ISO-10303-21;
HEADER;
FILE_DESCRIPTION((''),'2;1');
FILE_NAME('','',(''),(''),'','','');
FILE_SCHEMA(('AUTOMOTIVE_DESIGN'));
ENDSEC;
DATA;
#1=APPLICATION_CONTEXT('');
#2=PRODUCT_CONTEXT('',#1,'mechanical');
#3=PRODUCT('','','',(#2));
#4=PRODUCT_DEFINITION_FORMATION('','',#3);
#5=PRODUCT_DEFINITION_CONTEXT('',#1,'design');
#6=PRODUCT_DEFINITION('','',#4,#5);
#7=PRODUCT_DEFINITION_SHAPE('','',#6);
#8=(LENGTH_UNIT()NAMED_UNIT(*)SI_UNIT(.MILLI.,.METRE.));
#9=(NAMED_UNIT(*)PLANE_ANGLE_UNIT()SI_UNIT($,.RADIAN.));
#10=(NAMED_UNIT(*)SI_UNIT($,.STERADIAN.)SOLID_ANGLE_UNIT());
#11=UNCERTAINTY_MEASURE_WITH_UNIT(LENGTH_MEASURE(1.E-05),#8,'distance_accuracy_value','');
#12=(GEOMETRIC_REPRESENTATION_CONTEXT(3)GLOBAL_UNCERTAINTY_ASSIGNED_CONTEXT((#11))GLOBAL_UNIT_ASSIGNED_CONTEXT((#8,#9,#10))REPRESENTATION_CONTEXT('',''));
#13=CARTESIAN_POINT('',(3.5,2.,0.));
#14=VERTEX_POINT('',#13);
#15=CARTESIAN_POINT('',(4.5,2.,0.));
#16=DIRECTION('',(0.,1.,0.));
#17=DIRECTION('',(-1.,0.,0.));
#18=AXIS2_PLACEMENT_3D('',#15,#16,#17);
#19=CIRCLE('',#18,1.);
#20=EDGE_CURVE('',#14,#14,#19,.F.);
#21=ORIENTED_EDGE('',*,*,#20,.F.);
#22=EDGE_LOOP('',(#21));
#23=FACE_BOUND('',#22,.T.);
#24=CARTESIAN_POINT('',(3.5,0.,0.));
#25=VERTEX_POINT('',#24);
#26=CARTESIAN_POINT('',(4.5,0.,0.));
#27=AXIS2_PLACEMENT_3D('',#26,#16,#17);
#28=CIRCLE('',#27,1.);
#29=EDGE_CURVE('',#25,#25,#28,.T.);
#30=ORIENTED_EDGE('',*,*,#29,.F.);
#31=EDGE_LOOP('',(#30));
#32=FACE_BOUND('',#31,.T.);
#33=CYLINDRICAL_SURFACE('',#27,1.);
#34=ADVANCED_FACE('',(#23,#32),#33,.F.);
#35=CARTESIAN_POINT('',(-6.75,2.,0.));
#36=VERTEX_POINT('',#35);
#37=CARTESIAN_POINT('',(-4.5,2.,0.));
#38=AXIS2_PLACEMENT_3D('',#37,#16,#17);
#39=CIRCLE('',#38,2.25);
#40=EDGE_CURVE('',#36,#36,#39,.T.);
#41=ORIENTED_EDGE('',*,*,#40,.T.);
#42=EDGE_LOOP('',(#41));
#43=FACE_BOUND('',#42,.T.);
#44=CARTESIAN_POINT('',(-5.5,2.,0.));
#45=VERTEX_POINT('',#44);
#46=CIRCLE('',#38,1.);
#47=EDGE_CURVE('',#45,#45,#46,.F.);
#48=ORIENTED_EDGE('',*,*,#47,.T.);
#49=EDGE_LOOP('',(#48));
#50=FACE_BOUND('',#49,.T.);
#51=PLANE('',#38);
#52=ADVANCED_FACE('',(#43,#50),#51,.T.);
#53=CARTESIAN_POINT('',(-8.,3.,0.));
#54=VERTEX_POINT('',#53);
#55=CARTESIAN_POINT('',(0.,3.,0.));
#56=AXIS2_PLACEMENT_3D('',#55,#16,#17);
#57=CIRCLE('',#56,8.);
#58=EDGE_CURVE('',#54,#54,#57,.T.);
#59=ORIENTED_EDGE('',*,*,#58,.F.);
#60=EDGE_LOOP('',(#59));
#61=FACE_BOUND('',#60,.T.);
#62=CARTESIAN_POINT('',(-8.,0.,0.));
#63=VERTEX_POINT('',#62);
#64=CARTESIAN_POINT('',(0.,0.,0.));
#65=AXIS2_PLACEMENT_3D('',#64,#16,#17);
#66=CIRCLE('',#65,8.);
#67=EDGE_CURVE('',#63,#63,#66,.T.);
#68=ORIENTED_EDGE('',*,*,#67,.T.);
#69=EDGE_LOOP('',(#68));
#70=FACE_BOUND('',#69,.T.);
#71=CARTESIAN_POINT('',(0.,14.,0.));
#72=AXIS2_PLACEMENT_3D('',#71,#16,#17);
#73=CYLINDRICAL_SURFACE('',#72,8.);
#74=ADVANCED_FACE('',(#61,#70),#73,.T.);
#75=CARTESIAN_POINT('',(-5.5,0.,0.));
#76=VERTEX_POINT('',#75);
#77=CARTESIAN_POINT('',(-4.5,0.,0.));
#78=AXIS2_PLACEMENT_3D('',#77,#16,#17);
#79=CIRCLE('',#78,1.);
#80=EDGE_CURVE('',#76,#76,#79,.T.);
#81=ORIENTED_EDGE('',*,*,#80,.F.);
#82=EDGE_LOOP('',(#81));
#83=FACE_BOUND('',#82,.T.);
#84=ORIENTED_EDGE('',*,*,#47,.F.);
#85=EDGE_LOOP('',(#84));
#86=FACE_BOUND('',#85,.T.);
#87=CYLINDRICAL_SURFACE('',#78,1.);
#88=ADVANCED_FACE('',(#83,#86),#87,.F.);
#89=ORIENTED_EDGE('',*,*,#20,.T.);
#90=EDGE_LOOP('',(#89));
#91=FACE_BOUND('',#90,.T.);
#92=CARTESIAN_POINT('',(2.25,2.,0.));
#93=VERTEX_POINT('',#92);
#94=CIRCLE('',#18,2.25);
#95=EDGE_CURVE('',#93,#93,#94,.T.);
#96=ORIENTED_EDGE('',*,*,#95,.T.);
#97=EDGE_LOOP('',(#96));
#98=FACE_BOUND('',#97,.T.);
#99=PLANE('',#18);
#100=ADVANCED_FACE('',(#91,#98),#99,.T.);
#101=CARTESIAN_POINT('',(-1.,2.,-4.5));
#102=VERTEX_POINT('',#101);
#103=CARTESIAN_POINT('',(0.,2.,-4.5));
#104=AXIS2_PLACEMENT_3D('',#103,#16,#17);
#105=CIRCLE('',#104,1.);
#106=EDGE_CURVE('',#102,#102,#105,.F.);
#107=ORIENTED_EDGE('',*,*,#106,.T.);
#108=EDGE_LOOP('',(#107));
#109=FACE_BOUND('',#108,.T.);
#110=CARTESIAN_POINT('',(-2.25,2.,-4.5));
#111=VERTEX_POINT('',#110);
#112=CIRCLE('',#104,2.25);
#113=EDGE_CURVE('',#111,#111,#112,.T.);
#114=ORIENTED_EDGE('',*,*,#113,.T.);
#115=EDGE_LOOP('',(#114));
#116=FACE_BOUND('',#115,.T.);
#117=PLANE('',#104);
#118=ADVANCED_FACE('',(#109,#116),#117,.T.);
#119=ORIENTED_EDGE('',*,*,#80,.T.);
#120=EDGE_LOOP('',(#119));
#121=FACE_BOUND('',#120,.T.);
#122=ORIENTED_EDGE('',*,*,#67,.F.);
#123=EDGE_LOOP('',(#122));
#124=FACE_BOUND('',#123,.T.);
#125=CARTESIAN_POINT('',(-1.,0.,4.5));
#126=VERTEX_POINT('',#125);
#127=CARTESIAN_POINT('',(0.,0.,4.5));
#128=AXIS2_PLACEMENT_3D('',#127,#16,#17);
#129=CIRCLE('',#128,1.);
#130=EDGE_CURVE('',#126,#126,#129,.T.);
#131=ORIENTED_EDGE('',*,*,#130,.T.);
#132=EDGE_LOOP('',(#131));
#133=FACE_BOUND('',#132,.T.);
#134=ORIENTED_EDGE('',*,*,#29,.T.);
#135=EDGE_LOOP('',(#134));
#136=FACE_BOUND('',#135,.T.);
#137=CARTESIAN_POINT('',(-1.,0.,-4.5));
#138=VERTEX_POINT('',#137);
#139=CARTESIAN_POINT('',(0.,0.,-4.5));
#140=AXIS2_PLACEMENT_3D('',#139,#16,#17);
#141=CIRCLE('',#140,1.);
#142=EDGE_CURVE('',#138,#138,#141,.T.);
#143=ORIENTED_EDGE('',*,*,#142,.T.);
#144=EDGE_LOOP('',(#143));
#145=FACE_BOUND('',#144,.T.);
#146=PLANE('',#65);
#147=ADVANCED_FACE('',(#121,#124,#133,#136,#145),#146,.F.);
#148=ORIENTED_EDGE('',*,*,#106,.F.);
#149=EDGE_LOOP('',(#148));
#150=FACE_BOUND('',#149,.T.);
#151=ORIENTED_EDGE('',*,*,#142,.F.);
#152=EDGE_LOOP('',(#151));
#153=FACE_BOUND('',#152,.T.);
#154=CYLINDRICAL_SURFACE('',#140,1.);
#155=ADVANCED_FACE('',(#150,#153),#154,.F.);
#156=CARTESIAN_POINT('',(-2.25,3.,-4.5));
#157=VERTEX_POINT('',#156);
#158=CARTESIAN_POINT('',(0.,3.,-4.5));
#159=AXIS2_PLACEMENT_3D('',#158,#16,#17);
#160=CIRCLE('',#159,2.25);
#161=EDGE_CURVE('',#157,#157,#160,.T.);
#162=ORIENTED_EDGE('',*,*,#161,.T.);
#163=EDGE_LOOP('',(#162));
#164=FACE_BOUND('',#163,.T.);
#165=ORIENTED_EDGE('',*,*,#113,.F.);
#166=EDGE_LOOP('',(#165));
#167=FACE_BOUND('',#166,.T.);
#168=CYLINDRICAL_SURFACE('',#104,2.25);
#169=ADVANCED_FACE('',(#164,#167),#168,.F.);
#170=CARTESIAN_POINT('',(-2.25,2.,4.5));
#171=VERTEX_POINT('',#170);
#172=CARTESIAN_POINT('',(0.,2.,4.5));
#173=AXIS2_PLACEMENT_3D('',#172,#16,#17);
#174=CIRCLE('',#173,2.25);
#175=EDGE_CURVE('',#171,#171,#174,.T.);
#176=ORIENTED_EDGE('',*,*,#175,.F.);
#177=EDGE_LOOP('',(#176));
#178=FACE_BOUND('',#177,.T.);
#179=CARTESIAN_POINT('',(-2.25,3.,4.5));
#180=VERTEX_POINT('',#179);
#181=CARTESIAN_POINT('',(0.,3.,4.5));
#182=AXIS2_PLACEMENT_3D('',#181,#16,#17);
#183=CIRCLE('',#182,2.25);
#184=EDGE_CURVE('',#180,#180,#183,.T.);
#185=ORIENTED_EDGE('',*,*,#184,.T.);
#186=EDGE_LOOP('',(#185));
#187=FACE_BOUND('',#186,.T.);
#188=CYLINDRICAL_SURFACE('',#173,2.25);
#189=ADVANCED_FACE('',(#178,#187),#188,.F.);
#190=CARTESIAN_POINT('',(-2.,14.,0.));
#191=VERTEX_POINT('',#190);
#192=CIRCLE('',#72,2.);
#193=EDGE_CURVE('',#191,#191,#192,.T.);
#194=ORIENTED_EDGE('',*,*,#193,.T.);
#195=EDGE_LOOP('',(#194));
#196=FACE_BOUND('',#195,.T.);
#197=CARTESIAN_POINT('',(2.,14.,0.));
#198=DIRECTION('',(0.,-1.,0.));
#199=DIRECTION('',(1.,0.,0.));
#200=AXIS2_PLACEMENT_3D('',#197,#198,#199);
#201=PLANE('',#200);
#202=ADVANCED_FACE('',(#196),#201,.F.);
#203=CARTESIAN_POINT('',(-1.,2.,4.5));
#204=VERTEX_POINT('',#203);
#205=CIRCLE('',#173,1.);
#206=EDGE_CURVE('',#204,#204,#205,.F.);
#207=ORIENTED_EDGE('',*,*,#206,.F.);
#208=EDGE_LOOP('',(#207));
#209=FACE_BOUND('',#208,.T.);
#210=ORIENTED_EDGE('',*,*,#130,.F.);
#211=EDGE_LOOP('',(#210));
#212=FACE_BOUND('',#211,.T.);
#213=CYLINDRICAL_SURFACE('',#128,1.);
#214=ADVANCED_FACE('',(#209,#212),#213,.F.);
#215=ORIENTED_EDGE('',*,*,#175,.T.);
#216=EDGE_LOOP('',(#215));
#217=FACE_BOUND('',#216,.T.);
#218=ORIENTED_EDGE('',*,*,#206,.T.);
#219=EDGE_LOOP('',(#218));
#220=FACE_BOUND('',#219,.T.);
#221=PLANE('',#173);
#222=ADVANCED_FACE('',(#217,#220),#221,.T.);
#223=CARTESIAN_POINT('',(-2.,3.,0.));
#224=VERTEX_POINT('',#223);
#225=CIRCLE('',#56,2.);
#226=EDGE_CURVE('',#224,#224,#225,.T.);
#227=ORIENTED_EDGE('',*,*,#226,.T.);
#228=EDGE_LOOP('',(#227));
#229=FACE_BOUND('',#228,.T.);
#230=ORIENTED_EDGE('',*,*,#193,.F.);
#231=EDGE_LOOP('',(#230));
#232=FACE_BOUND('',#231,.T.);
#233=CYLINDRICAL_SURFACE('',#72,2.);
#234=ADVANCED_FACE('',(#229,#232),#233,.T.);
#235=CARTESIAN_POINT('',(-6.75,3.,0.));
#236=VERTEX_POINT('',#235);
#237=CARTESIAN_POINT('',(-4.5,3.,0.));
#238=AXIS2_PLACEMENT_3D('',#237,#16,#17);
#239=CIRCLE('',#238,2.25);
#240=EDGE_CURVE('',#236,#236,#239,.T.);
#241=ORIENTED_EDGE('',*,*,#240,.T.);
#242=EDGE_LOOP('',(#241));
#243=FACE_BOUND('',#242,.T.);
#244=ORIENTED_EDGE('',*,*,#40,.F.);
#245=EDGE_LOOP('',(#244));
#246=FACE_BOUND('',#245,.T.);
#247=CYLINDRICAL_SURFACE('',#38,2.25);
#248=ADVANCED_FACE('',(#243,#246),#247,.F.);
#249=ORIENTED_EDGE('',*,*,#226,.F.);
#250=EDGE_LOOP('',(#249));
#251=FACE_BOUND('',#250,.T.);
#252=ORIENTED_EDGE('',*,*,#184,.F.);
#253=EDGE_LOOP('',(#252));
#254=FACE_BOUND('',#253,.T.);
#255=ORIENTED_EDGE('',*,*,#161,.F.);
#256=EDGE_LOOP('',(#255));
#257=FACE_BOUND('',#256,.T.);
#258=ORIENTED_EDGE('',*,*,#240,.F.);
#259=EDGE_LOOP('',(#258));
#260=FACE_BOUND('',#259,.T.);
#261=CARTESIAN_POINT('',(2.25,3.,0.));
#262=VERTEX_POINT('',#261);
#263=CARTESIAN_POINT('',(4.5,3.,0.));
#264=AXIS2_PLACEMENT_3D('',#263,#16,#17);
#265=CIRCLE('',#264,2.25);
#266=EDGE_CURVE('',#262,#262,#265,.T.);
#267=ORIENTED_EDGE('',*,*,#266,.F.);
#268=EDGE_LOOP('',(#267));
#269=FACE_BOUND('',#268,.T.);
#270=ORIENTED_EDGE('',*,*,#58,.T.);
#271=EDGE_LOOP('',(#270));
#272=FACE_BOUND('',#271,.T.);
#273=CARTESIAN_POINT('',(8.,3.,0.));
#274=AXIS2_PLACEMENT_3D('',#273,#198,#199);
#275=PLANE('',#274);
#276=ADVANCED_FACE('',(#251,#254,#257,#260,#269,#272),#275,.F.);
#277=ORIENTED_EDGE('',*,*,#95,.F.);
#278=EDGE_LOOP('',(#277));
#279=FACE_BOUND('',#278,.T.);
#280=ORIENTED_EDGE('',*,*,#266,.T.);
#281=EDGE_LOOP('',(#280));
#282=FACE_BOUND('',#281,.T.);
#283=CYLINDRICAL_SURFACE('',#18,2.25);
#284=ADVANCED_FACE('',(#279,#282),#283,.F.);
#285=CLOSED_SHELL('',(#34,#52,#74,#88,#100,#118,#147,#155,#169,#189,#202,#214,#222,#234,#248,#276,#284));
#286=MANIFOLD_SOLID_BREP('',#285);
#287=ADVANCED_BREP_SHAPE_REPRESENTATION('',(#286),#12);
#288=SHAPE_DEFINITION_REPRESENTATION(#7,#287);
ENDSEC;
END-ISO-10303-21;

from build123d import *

# Parameters (mm, degrees)
SKETCH3_R          = 1
CUT_EXTRUDE1_DEPTH = 4
SKETCH4_R          = 2.25
CUT_EXTRUDE2_DEPTH = 1


with BuildPart() as part:
    # Sketch1 → Revolve1 (revolve)
    with BuildSketch(Plane.XY):
        Polygon((0, 0), (8, 0), (8, 3), (2, 3), (2, 14), (0, 14), align=None)
    revolve(axis=Axis((0, 14, 0), (0, -1, 0)))

    # Sketch3 → Cut-Extrude1 (cut, through all)
    with BuildSketch(Plane(origin=(0, 3, 0), x_dir=(1, 0, 0), z_dir=(0, 1, 0))):
        with Locations((0, 4.5)):
            Circle(SKETCH3_R)
        with Locations((4.5, 0)):
            Circle(SKETCH3_R)
        with Locations((0, -4.5)):
            Circle(SKETCH3_R)
        with Locations((-4.5, 0)):
            Circle(SKETCH3_R)
    extrude(amount=-CUT_EXTRUDE1_DEPTH, mode=Mode.SUBTRACT)

    # Sketch4 → Cut-Extrude2 (cut)
    with BuildSketch(Plane(origin=(0, 3, 0), x_dir=(1, 0, 0), z_dir=(0, 1, 0))):
        with Locations((0, 4.5)):
            Circle(SKETCH4_R)
        with Locations((4.5, 0)):
            Circle(SKETCH4_R)
        with Locations((0, -4.5)):
            Circle(SKETCH4_R)
        with Locations((-4.5, 0)):
            Circle(SKETCH4_R)
    extrude(amount=-CUT_EXTRUDE2_DEPTH, mode=Mode.SUBTRACT)


solid = part.part
